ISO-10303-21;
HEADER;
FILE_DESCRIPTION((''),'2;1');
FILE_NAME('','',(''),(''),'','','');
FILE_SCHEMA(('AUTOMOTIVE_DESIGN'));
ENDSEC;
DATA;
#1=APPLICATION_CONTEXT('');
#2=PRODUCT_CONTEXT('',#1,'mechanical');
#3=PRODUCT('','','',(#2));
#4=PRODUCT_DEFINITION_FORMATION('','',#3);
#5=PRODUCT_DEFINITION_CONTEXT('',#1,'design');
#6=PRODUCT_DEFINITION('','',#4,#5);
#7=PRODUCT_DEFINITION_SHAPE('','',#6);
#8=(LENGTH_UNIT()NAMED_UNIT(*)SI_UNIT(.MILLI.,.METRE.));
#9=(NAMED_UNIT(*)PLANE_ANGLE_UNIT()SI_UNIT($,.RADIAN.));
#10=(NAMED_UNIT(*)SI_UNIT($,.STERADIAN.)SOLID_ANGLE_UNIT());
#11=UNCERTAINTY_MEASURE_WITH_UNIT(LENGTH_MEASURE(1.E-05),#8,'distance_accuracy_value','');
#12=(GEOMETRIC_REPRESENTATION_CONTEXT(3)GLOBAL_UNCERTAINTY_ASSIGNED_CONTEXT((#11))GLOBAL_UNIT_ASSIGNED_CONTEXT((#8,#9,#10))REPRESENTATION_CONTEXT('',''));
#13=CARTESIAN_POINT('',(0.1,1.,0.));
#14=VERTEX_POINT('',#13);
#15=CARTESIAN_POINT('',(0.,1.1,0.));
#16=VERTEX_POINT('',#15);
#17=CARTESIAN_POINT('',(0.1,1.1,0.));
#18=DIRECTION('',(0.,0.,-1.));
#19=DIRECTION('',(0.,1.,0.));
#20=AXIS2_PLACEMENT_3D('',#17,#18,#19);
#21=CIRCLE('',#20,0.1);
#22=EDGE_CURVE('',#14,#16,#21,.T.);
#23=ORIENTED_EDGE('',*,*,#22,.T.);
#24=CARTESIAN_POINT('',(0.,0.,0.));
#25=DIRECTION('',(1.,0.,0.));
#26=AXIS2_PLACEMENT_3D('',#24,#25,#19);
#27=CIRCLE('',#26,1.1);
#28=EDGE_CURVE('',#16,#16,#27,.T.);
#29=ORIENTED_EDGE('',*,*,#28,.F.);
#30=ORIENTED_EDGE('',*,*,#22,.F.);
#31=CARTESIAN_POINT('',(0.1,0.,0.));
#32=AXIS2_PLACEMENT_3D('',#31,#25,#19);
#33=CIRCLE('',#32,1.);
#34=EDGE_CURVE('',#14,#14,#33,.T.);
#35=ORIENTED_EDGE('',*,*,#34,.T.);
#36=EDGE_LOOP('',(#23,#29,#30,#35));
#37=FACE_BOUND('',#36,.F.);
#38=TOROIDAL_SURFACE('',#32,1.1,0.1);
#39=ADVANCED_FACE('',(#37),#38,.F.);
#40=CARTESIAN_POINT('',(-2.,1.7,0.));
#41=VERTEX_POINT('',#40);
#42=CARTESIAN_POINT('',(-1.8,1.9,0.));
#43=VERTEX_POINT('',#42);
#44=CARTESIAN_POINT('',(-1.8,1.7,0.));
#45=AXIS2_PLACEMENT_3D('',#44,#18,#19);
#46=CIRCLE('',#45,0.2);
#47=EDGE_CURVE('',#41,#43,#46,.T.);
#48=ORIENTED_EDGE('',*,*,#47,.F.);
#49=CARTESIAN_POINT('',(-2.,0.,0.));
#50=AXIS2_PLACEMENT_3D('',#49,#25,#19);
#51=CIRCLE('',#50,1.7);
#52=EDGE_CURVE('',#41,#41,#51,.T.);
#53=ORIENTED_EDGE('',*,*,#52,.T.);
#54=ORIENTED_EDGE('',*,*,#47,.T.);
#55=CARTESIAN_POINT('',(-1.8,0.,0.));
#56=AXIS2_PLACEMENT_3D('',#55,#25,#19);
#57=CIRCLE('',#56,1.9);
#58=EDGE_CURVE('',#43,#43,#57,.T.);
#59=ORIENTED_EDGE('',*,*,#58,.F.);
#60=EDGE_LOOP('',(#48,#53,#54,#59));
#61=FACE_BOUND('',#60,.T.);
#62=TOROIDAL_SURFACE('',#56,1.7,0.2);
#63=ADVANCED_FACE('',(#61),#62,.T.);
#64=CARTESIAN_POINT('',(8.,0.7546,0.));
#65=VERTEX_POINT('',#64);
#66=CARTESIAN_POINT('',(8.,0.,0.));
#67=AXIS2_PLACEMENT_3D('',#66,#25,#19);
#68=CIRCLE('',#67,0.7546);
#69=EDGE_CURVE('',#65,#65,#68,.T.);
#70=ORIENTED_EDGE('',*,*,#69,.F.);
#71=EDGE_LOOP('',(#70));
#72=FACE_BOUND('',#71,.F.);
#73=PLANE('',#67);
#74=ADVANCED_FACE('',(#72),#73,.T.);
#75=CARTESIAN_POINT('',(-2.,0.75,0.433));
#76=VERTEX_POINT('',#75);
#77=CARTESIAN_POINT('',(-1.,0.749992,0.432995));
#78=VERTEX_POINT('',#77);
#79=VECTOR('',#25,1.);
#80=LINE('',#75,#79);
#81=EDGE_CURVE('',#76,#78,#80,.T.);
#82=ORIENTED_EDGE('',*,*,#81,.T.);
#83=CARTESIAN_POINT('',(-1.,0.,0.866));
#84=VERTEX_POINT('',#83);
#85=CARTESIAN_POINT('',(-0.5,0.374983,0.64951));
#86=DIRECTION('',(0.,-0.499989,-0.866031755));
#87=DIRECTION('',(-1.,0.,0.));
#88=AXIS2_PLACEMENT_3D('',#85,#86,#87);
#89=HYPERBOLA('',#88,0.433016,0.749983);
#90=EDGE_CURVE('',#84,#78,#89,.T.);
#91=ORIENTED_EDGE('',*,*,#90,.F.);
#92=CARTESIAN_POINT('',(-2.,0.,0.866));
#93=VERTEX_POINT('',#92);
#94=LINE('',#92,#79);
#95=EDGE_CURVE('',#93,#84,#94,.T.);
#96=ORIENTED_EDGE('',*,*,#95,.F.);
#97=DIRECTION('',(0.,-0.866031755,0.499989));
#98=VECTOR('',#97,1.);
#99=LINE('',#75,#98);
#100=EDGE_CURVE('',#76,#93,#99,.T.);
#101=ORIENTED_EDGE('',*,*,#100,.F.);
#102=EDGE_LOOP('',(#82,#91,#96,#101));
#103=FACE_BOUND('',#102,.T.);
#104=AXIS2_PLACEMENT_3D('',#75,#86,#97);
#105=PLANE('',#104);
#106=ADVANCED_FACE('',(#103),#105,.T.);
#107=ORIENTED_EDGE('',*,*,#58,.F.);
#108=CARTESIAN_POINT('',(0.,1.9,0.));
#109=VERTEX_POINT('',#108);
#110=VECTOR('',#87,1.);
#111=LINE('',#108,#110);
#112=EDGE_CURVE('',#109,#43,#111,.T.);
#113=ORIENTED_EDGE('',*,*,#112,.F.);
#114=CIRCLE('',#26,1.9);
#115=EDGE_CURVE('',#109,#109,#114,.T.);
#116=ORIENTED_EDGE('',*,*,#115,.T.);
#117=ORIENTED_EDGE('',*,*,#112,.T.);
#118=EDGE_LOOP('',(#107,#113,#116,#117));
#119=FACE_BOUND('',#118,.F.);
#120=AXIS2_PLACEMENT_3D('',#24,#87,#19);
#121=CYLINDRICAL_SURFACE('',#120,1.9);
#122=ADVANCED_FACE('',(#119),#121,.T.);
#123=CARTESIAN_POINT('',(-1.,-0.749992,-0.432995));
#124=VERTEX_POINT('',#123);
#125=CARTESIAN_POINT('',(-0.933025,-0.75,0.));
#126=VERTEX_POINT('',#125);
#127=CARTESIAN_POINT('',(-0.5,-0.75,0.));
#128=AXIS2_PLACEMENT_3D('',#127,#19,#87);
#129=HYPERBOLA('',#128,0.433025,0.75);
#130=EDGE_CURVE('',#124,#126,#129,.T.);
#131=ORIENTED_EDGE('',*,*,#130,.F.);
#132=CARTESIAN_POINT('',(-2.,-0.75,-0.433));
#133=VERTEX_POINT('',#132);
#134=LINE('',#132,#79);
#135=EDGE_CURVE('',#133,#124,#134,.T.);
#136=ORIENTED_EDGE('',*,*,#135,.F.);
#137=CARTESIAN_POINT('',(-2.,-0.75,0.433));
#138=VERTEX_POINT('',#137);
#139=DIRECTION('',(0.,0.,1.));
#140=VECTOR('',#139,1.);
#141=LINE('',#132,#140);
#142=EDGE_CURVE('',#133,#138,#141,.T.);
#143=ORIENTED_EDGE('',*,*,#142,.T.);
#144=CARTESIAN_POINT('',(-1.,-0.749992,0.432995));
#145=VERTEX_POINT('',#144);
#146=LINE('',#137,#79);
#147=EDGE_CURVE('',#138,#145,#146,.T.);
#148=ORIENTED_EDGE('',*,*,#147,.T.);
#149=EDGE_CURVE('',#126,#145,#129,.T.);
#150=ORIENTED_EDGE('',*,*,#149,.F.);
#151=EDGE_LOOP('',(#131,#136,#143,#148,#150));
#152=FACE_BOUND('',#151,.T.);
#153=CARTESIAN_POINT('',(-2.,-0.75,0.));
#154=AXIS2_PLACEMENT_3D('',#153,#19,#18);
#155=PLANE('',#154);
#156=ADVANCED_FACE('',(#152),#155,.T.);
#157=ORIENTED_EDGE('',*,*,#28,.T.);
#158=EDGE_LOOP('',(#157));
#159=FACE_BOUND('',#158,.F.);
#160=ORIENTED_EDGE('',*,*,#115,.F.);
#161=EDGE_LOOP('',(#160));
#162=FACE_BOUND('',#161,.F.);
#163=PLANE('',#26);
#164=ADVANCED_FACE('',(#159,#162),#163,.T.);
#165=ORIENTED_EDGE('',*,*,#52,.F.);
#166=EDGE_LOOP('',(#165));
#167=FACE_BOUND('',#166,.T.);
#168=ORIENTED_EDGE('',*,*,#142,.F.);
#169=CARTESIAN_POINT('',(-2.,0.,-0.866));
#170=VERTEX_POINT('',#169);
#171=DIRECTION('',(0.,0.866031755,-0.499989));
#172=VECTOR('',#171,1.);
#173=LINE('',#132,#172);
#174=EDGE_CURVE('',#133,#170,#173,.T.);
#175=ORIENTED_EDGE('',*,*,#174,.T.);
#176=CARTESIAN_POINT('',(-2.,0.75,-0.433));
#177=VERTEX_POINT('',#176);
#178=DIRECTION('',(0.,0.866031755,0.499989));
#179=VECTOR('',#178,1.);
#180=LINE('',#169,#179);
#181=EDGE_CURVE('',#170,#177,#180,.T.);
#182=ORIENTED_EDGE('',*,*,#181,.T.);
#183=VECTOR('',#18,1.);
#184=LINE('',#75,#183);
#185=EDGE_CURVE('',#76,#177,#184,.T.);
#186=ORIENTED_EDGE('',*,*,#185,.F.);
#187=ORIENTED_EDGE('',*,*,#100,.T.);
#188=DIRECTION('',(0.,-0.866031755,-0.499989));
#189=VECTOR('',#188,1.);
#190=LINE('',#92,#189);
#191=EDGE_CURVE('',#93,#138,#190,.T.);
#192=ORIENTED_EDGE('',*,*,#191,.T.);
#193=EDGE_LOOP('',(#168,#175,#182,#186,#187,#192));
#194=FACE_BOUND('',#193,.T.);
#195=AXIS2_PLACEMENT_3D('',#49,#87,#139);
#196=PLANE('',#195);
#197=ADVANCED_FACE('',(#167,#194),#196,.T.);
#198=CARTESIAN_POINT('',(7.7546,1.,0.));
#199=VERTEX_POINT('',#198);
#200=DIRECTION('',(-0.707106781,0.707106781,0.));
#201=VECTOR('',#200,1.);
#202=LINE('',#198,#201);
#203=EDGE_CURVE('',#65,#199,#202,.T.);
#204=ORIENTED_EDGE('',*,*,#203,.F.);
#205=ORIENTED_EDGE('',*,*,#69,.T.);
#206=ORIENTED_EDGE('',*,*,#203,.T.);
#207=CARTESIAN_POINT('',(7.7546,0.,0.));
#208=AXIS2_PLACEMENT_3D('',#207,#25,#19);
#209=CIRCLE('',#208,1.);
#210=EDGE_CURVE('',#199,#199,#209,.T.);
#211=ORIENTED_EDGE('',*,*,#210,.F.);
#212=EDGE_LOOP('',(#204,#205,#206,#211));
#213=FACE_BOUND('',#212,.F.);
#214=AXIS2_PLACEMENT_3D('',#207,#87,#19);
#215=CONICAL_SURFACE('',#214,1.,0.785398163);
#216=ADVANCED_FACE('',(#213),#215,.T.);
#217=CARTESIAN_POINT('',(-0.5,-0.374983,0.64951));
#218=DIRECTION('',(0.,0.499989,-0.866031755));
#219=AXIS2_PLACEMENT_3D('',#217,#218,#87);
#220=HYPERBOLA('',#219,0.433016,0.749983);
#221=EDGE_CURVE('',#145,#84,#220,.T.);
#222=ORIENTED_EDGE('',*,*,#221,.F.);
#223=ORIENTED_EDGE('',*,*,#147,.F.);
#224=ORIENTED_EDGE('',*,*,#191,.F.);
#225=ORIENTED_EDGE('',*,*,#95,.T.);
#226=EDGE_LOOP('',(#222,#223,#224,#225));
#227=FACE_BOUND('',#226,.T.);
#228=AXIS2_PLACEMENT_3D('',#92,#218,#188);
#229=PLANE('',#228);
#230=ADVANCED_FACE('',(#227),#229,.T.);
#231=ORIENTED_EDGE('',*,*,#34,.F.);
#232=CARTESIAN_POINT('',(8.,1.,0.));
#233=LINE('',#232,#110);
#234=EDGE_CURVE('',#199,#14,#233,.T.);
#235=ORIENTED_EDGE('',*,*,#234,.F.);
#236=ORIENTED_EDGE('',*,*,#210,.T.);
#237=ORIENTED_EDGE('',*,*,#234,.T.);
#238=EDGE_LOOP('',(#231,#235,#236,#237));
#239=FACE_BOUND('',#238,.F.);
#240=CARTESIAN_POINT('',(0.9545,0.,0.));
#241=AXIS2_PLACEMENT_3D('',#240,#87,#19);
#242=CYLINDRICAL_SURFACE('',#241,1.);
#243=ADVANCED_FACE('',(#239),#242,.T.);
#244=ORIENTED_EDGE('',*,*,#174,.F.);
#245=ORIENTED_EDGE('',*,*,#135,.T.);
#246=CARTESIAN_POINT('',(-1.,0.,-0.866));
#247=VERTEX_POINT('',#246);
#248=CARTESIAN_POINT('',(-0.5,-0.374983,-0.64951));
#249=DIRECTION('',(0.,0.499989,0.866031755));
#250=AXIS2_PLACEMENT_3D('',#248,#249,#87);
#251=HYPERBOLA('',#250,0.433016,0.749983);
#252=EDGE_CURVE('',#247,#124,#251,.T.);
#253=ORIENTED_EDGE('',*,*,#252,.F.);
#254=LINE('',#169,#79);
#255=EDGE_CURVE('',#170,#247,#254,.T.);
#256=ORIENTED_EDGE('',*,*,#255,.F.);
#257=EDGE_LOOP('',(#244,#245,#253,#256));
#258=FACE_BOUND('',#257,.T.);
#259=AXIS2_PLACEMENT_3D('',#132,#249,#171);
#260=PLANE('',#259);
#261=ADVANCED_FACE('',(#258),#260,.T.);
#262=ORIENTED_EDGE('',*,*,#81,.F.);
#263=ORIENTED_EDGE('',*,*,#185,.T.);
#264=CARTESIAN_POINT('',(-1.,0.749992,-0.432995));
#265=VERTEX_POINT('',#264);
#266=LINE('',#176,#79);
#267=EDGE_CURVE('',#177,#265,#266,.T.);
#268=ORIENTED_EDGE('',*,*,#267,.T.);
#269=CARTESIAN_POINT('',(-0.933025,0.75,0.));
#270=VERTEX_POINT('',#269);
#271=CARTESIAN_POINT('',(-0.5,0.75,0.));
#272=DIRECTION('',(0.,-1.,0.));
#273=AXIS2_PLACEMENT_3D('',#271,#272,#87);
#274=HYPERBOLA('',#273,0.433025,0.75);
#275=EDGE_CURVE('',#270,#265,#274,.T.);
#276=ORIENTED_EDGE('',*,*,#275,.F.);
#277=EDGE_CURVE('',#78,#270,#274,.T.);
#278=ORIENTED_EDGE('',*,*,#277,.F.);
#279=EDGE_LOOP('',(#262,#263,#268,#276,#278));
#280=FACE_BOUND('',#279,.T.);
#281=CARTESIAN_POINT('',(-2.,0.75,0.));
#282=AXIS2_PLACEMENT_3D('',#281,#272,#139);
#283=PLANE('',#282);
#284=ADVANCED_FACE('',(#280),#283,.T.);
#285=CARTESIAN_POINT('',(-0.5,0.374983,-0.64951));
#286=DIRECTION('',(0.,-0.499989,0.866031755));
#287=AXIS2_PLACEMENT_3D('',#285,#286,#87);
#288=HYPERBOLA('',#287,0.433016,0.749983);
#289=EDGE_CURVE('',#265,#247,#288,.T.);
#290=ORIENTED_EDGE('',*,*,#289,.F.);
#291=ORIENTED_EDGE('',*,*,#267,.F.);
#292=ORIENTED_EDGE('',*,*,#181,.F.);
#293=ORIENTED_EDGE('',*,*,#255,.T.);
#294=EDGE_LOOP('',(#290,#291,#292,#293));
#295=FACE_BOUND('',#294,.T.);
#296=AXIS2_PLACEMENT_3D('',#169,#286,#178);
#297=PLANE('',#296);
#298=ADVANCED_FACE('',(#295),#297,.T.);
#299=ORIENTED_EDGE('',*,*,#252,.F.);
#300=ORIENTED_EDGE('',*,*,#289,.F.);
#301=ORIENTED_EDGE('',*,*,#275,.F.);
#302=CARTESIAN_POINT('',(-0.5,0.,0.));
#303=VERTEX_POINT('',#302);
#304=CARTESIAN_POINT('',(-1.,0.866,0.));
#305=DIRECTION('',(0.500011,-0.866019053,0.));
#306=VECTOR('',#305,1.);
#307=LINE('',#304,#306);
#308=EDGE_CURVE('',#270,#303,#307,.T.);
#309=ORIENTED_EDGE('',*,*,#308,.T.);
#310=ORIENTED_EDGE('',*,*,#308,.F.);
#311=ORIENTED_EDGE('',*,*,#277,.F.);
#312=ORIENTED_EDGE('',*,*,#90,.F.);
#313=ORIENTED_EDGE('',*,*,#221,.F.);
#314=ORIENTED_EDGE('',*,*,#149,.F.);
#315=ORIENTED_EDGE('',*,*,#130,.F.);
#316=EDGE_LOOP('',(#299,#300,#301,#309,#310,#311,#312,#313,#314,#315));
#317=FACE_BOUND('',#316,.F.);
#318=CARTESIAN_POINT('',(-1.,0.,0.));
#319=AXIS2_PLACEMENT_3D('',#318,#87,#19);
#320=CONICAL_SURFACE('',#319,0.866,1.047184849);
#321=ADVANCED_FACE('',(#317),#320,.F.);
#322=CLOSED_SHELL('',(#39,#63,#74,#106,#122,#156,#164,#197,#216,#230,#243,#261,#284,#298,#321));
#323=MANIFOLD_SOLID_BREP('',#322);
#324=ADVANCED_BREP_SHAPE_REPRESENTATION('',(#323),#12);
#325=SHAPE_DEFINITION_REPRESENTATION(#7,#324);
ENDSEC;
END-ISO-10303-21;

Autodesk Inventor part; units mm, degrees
ref_plane "YZ Plane" through (0, 0, 0) normal (1, 0, 0) x (0, 1, 0)
ref_plane "XZ Plane" through (0, 0, 0) normal (0, 1, 0) x (-1, 0, 0)
sketch "Skizze1" plane through (0, 0, 0) normal (0, 0, 1) x (1, 0, 0)
  line L0 (-0.5, 0) -> (8, 0)
  line L1 (8, 0) -> (8, 1)
  line L2 (8, 1) -> (1.2, 1)
  line L3 (1.2, 1) -> (0.9545, 1)
  line L4 (0.9545, 1) -> (0, 1)
  line L5 (0, 1) -> (0, 1.9)
  line L6 (0, 1.9) -> (-2, 1.9)
  line L7 (-2, 1.9) -> (-2, 0.866)
  line L8 (-2, 0.866) -> (-1, 0.866)
  line L9 (-1, 0.866) -> (-0.5, 0)
  line L10 (-4, 0) -> (10, 0) projected
  line L11 (0, -0.38) -> (0, 2.28) projected
  line L12 (1.2, 1) -> (0, 1) construction
  dimension "d1" = 6.8
  dimension "d2" = 0.2455
  dimension "d3" = 2
  dimension "d4" = 1
  dimension "d5" = 60
  dimension "d6" = 2
  dimension "d7" = 2
  dimension "d8" = 1.7321
  dimension "d9" = 3.8
  dimension "d26" = 8
revolve "Körper" add sketch "Skizze1" angle 360 about axis through (-0.5, 0, 0) along (1, 0, 0)
sketch "Skizze2" plane through (-2, 0, 0) normal (-1, 0, 0) x (0, 0, 1)
  circle A0 centre (0, 0) radius 0.866 projected
  line L0 (0, -2.66) -> (0, 2.66) projected
  line L1 (-2.66, 0) -> (2.66, 0) projected
  line L2 (0.866, 0) -> (0.433, -0.75)
  line L3 (0.433, -0.75) -> (-0.433, -0.75)
  line L4 (-0.433, -0.75) -> (-0.866, 0)
  line L5 (-0.866, 0) -> (-0.433, 0.75)
  line L6 (-0.433, 0.75) -> (0.433, 0.75)
  line L7 (0.433, 0.75) -> (0.866, 0)
  point P0 (0, 0)
extrude "Loch" add sketch "Skizze2" against normal up to next contours L7 A0 | A0 L2 | L6 L0 A0 | A0 L0 L3 | L0 L6 A0 | A0 L3 L0 | L4 A0 | A0 L5
fillet "Rundung1" radius 0.2 1 edges at (-2, -1.9, 0)
thread "Gewinde" size "M2x0.4" class "6g" standard "ISO Metric profile" length 6.8
chamfer "Fase1" distance 0.2454 distance2 0.2454 1 edges at (8, -1, 0) measured on face at (8, 0.1182, 0.3117)
ref_plane "Work Plane1" through (29, 0, 0) normal (0, -1, 0) x (1, 0, 0)
fillet "Fillet2" radius 0.1 1 edges at (0, -1, 0)
equation "\"d1\" = GEL"
equation "\"d3\" = KOH"
equation "\"d4\" = INTI"
equation "\"d6\" = GD"
equation "\"d7\" = BDM"
equation "\"d8\" = 1.1547 * SW"
equation "\"d9\" = KOD"
equation "\"d26\" = NLG"
equation "\"d30\" = R"
equation "\"d17\" = RR"
equation "\"d13\" = GEL"
equation "\"d15\" = -0.5 * SPD + 0.5 * GD"
equation "\"d16\" = GUL"
equation "\"GD\" = 2"
equation "\"NLG\" = 8"
equation "\"GEL\" = 6.8"
equation "\"KOD\" = 3.8"
equation "\"KOH\" = 2"
equation "\"INTI\" = 1"
equation "\"GAL\" = 0.61345 * PTC"
equation "\"GUL\" = 0.61345 * PTC"
equation "\"BDM\" = NND"
equation "\"SW\" = 1.5"
equation "\"RR\" = 0.2"
equation "\"SPD\" = NND - 1.2269 * PTC"
equation "\"R\" = 0.1"
equation "\"TOA\" = 30deg"
equation "\"GD1\" = THREADDIA - 1.2269 * PTC"
equation "\"THREADDIA\" = 2"
equation "\"FAWI\" = 45deg"
equation "\"PTC\" = 0.4"
equation "\"NND\" = 2"
equation "\"E0\" = 1.155 * SW"
properties part number "ISO 4762  - M2 x 8" material "Edelstahl, 440C"
